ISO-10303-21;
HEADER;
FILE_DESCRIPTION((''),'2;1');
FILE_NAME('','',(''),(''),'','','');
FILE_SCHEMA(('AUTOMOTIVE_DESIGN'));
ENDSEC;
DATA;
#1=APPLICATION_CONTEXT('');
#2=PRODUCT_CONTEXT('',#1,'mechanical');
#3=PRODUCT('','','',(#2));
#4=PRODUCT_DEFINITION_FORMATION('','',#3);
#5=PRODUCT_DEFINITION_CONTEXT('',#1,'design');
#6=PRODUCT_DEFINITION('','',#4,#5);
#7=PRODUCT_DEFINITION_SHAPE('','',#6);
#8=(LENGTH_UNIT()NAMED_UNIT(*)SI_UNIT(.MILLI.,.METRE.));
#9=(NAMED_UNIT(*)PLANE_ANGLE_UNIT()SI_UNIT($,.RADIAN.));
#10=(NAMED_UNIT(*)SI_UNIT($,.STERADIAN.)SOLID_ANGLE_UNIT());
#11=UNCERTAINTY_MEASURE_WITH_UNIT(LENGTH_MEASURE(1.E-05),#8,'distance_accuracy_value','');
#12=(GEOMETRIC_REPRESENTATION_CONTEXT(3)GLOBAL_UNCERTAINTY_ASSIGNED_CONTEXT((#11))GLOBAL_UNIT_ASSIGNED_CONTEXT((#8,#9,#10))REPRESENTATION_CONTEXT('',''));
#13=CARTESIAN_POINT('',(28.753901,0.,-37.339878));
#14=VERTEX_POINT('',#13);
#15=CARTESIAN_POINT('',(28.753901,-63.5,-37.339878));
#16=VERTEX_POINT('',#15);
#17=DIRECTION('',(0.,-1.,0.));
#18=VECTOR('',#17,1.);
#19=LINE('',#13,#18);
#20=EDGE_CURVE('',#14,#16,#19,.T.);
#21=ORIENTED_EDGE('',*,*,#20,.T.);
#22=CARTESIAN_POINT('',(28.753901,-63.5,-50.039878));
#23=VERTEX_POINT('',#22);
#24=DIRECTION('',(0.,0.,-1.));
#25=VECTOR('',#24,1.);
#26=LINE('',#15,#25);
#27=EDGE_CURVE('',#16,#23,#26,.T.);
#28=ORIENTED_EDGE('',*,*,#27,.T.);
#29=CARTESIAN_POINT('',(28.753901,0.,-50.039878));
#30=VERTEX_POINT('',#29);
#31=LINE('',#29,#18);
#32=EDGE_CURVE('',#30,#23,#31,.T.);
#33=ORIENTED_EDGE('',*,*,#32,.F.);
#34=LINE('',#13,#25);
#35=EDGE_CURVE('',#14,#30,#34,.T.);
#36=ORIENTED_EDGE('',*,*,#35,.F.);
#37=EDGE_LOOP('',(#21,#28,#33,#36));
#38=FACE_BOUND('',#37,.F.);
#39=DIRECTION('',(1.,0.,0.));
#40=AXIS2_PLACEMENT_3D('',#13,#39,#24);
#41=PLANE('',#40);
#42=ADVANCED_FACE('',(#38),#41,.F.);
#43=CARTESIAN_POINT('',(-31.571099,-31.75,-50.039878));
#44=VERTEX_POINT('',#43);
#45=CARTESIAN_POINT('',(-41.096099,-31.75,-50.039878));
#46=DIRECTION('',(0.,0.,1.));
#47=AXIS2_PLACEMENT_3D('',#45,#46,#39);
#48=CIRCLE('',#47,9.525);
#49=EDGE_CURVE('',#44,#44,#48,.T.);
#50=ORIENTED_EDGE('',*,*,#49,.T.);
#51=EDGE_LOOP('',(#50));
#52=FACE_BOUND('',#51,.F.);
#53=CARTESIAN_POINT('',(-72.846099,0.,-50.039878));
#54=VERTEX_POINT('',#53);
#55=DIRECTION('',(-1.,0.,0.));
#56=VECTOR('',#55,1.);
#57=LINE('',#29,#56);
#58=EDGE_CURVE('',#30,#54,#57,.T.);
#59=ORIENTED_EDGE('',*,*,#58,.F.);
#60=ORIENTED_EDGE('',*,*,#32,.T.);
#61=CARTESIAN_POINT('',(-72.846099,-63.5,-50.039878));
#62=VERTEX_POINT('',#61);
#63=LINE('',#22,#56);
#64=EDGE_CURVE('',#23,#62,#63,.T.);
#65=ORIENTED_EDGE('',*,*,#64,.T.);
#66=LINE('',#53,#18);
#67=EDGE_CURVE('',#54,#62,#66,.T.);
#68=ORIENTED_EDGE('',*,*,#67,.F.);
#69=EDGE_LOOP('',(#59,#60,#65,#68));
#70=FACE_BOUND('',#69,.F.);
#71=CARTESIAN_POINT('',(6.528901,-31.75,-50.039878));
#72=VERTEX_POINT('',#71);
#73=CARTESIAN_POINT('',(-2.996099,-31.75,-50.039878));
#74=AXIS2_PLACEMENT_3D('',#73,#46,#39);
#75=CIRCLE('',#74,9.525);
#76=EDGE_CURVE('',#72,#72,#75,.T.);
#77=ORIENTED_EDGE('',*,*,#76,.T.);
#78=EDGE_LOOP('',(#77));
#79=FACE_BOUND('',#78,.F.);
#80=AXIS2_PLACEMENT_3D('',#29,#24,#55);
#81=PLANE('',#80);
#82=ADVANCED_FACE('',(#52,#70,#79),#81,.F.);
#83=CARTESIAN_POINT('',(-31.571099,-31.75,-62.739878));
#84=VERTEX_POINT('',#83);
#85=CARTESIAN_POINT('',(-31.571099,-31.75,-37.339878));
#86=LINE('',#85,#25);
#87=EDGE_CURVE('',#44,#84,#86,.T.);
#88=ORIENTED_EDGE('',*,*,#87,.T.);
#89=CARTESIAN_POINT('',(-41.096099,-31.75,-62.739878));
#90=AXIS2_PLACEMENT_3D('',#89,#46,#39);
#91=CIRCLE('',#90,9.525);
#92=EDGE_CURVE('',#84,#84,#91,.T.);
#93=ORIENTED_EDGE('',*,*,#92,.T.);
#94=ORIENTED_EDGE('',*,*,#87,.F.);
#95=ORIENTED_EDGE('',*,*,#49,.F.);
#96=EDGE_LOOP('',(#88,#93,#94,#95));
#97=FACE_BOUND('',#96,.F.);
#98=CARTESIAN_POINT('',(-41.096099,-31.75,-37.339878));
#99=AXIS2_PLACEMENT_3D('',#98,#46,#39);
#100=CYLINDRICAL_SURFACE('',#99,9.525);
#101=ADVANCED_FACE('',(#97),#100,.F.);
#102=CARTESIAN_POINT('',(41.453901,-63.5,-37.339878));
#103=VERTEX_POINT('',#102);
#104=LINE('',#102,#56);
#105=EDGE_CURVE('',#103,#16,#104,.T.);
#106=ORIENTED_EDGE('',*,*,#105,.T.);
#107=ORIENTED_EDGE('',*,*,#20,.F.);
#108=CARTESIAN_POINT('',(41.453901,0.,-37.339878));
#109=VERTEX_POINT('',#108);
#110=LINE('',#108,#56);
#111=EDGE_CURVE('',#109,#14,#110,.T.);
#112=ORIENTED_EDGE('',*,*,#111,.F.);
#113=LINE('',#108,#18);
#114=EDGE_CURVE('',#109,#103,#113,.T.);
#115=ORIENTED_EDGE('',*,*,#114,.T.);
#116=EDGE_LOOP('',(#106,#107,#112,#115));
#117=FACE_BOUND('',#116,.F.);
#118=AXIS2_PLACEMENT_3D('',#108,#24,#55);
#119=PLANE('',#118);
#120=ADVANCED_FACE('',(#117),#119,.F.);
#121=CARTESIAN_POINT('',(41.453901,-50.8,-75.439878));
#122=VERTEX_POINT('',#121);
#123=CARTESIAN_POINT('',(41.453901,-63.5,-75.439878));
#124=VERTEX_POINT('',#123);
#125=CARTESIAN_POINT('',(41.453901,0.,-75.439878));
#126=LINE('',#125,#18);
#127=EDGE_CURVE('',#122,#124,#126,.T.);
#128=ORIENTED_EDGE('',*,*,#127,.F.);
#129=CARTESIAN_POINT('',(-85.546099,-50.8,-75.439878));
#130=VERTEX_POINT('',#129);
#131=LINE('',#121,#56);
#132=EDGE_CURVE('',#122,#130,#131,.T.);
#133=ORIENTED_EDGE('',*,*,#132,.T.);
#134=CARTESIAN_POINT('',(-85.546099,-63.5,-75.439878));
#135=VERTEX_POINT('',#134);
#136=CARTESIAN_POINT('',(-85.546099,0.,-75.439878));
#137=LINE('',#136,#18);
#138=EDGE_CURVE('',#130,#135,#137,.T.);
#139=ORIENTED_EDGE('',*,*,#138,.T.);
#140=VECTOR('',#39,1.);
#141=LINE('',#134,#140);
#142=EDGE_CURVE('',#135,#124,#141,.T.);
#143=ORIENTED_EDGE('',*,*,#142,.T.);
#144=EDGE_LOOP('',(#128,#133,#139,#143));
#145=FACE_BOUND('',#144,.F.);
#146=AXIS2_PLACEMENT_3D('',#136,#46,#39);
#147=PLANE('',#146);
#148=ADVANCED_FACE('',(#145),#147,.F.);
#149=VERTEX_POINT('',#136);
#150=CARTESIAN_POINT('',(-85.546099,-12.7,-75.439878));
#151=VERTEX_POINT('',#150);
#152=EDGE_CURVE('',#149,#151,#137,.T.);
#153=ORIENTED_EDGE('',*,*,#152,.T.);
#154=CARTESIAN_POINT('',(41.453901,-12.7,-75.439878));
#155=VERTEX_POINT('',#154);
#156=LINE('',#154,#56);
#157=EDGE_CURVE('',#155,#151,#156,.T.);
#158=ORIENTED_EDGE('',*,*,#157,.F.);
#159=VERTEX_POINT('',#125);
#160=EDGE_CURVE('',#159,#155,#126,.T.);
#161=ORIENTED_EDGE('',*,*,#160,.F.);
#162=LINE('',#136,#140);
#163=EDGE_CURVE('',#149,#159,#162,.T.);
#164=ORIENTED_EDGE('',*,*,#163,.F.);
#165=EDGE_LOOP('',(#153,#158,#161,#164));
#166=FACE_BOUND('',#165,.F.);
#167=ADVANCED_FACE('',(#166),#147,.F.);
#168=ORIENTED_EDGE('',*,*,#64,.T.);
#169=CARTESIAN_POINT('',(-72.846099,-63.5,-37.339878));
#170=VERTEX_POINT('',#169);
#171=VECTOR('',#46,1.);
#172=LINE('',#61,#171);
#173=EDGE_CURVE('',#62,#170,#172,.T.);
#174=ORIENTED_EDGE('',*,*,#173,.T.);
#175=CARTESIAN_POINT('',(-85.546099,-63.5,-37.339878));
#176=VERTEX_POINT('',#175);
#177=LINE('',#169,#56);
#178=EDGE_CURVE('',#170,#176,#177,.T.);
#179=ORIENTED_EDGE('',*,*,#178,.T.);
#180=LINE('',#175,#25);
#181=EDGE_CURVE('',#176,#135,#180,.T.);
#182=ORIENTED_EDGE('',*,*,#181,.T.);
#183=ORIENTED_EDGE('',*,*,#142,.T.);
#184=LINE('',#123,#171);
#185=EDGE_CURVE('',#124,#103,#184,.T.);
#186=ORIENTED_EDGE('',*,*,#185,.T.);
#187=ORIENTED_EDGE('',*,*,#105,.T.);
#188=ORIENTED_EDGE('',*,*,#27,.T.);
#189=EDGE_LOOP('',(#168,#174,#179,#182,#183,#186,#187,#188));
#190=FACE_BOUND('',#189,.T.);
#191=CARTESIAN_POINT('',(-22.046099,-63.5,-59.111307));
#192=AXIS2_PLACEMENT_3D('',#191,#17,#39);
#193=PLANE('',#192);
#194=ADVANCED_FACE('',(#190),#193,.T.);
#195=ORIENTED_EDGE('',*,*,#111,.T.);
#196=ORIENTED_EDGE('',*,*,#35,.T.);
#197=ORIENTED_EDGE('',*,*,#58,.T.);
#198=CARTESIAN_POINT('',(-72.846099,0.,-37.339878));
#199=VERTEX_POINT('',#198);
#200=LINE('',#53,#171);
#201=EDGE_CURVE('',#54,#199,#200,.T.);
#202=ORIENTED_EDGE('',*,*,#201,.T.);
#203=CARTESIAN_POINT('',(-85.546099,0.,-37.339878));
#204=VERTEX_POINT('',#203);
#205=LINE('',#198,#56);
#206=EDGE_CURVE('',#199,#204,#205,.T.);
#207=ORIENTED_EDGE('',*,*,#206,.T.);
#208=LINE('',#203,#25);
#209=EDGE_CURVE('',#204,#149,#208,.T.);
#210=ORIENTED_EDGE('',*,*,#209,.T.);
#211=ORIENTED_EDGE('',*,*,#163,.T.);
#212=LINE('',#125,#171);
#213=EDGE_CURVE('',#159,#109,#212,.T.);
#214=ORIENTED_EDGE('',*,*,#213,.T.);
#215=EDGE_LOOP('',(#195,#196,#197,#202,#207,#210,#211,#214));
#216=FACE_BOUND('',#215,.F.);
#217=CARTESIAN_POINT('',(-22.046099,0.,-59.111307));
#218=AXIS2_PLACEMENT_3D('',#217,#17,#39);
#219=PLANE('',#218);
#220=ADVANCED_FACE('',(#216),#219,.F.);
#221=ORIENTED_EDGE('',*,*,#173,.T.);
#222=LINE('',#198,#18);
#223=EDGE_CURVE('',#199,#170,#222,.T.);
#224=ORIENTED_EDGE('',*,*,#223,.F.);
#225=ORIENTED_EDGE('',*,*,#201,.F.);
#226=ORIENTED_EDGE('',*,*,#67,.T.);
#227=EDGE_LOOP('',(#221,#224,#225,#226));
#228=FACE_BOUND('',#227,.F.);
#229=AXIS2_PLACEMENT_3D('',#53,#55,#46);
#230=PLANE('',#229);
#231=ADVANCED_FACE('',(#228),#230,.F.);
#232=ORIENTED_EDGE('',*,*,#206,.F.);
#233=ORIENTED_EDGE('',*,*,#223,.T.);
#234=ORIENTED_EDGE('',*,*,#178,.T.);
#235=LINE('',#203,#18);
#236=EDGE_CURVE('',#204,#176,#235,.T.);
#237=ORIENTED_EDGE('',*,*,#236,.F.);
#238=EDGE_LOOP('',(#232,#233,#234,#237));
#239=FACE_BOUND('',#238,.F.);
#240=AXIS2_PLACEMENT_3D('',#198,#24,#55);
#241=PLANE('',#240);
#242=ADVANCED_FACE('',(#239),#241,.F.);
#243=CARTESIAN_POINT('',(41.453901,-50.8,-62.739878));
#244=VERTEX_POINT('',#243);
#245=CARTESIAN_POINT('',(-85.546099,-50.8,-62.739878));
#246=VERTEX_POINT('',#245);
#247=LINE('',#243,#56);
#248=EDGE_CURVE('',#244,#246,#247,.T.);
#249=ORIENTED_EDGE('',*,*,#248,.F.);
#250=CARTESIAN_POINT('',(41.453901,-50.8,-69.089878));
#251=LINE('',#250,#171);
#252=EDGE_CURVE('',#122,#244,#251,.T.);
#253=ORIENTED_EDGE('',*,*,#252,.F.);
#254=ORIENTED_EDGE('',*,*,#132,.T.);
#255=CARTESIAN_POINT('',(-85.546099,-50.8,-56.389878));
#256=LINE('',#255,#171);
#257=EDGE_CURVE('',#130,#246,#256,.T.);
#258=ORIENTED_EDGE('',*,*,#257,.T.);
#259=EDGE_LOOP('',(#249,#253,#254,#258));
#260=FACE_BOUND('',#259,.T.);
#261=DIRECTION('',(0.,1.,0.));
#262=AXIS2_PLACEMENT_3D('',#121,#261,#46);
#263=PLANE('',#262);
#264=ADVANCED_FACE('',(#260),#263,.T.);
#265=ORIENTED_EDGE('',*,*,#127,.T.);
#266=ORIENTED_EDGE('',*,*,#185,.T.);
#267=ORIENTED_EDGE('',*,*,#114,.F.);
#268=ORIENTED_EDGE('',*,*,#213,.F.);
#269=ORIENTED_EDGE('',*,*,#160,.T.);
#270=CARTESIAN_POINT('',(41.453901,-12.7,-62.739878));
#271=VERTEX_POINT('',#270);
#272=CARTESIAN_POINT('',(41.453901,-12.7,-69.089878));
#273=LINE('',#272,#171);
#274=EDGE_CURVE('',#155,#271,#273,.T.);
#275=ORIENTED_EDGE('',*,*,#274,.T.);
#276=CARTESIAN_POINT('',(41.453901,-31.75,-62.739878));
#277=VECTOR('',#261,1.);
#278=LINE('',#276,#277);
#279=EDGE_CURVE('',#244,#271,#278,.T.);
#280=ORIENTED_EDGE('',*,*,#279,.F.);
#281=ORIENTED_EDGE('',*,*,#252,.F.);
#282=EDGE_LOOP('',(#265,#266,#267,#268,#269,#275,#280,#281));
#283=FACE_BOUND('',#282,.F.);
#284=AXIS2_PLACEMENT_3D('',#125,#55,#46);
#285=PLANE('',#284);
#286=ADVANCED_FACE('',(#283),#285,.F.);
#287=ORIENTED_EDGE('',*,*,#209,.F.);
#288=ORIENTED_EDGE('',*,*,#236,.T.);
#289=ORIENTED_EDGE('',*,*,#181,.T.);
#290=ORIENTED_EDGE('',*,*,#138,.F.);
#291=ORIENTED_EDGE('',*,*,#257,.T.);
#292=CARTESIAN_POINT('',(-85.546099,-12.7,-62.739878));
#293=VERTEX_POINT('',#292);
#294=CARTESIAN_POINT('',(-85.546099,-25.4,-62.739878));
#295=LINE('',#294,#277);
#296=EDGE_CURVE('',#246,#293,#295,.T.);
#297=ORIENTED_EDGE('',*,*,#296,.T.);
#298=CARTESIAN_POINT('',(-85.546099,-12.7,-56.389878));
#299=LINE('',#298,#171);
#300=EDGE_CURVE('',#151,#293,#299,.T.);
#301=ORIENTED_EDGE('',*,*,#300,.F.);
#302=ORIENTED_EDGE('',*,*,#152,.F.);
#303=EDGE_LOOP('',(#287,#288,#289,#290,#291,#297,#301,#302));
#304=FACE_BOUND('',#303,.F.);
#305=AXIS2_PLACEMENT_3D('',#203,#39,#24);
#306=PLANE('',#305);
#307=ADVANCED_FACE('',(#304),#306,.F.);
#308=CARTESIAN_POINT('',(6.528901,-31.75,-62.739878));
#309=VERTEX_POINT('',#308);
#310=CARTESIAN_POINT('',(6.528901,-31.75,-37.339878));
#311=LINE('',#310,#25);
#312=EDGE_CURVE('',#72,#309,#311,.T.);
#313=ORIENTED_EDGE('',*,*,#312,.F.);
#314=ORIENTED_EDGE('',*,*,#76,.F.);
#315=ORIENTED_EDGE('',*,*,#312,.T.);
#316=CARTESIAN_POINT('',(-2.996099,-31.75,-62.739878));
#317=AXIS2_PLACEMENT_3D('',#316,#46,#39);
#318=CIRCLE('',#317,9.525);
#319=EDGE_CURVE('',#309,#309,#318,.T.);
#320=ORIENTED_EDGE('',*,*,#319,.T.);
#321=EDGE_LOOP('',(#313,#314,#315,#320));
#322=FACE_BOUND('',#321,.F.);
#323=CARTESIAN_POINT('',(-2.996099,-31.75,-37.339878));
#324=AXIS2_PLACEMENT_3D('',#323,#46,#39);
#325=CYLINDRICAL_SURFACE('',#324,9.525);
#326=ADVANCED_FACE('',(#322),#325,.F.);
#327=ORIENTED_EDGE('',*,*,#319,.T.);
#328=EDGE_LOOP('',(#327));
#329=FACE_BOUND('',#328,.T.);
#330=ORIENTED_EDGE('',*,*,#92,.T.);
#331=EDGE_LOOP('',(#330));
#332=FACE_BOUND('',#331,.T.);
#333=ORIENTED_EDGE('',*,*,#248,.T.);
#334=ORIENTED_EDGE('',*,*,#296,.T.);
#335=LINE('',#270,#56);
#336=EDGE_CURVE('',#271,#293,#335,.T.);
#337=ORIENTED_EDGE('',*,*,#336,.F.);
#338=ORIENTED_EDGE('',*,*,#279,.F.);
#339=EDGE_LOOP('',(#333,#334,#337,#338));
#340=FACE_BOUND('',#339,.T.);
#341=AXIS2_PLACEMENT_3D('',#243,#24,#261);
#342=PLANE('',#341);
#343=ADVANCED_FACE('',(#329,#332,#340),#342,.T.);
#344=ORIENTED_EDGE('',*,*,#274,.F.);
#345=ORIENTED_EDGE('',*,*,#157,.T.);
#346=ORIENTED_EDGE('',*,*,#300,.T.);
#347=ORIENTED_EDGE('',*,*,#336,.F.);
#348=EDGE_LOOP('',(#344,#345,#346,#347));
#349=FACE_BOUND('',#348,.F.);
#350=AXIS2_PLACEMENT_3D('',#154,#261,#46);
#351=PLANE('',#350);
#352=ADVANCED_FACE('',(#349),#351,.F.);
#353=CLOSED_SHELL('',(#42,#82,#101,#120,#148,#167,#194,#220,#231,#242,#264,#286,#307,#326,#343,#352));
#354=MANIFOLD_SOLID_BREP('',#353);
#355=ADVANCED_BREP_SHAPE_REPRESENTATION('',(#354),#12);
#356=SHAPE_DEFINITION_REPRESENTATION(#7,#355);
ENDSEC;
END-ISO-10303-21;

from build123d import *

# Parameters (mm, degrees)
F1_DEPTH = 63.5
F2_W     = 38.1
F2_H     = 12.7
F3_DEPTH = 254
F4_R     = 9.525
F5_DEPTH = 203.2


with BuildPart() as f1:
    # F0 (on Front) → F1 (new body)
    with BuildSketch(Plane.XZ):
        Polygon((-85.546099, -37.339878), (-85.546099, -75.439878), (41.453901, -75.439878), (41.453901, -37.339878), (28.753901, -37.339878), (28.753901, -50.039878), (-72.846099, -50.039878), (-72.846099, -37.339878), align=None)
    extrude(amount=F1_DEPTH)

    # F2 (on face) → F3 (cut)
    with BuildSketch(Plane.YZ.offset(41.453901)):
        with Locations((-31.75, -69.089878)):
            Rectangle(F2_W, F2_H)
    extrude(amount=-F3_DEPTH, mode=Mode.SUBTRACT)

    # F4 (on face) → F5 (cut)
    with BuildSketch(Plane.XY.offset(-37.339878)):
        with Locations((-41.096099, -31.75)):
            Circle(F4_R)
        with Locations((-2.996099, -31.75)):
            Circle(F4_R)
    extrude(amount=-F5_DEPTH, mode=Mode.SUBTRACT)


solid = f1.part
